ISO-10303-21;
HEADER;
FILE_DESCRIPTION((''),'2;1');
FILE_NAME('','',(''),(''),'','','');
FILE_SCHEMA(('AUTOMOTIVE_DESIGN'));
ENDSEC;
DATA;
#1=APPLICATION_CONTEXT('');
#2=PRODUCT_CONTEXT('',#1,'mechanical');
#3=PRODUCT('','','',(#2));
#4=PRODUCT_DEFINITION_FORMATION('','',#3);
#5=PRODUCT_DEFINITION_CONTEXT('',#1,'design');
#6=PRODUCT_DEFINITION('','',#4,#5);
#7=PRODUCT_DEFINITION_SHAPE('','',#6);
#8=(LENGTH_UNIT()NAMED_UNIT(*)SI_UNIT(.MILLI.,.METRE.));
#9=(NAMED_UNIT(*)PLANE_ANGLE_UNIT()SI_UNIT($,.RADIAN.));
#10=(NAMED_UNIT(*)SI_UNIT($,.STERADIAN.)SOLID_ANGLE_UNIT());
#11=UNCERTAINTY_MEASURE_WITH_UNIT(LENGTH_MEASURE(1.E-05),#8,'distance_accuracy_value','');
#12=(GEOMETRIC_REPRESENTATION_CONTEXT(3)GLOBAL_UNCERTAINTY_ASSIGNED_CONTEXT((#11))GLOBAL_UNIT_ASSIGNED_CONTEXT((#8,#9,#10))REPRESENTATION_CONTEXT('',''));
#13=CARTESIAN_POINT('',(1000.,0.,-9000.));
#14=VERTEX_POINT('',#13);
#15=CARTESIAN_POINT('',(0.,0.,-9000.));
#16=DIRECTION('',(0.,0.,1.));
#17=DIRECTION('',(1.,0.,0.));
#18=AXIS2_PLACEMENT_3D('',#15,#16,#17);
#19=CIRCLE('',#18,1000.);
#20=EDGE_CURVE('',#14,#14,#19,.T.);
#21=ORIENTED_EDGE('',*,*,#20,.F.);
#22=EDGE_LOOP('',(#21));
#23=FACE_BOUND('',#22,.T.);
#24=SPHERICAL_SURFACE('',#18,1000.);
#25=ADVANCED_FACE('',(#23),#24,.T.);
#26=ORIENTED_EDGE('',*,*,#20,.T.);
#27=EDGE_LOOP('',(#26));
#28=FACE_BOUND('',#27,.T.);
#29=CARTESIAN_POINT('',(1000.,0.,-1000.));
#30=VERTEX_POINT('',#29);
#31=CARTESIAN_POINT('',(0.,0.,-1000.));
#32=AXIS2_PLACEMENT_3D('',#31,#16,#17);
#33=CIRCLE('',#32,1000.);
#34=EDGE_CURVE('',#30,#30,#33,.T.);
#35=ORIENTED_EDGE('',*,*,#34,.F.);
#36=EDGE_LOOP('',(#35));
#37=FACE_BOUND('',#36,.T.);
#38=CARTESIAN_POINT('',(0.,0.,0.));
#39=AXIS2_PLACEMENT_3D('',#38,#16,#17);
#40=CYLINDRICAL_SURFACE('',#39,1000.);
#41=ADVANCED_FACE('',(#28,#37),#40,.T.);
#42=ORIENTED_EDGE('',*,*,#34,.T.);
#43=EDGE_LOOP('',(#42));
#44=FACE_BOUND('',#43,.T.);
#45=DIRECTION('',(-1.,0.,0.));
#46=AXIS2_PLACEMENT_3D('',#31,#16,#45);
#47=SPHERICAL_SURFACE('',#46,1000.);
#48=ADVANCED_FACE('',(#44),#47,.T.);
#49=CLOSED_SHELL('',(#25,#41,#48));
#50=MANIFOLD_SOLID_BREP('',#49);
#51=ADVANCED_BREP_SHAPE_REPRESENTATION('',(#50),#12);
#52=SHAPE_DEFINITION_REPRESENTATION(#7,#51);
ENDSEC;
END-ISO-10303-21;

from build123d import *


with BuildPart() as part:
    # Sketch10 → Revolve2 (revolve)
    with BuildSketch(Plane(origin=(0, 0, 0), x_dir=(1, 0, 0), z_dir=(0, 1, 0))):
        with BuildLine():
            Line((0, 0), (0, 10000))
            ThreePointArc((0, 10000), (707.106781187, 9707.106781187), (1000, 9000))
            Line((1000, 9000), (1000, 1000))
            ThreePointArc((1000, 1000), (707.106781187, 292.893218813), (0, 0))
        make_face()
    revolve(axis=Axis((0, 0, 0), (0, 0, -1)))


solid = part.part
